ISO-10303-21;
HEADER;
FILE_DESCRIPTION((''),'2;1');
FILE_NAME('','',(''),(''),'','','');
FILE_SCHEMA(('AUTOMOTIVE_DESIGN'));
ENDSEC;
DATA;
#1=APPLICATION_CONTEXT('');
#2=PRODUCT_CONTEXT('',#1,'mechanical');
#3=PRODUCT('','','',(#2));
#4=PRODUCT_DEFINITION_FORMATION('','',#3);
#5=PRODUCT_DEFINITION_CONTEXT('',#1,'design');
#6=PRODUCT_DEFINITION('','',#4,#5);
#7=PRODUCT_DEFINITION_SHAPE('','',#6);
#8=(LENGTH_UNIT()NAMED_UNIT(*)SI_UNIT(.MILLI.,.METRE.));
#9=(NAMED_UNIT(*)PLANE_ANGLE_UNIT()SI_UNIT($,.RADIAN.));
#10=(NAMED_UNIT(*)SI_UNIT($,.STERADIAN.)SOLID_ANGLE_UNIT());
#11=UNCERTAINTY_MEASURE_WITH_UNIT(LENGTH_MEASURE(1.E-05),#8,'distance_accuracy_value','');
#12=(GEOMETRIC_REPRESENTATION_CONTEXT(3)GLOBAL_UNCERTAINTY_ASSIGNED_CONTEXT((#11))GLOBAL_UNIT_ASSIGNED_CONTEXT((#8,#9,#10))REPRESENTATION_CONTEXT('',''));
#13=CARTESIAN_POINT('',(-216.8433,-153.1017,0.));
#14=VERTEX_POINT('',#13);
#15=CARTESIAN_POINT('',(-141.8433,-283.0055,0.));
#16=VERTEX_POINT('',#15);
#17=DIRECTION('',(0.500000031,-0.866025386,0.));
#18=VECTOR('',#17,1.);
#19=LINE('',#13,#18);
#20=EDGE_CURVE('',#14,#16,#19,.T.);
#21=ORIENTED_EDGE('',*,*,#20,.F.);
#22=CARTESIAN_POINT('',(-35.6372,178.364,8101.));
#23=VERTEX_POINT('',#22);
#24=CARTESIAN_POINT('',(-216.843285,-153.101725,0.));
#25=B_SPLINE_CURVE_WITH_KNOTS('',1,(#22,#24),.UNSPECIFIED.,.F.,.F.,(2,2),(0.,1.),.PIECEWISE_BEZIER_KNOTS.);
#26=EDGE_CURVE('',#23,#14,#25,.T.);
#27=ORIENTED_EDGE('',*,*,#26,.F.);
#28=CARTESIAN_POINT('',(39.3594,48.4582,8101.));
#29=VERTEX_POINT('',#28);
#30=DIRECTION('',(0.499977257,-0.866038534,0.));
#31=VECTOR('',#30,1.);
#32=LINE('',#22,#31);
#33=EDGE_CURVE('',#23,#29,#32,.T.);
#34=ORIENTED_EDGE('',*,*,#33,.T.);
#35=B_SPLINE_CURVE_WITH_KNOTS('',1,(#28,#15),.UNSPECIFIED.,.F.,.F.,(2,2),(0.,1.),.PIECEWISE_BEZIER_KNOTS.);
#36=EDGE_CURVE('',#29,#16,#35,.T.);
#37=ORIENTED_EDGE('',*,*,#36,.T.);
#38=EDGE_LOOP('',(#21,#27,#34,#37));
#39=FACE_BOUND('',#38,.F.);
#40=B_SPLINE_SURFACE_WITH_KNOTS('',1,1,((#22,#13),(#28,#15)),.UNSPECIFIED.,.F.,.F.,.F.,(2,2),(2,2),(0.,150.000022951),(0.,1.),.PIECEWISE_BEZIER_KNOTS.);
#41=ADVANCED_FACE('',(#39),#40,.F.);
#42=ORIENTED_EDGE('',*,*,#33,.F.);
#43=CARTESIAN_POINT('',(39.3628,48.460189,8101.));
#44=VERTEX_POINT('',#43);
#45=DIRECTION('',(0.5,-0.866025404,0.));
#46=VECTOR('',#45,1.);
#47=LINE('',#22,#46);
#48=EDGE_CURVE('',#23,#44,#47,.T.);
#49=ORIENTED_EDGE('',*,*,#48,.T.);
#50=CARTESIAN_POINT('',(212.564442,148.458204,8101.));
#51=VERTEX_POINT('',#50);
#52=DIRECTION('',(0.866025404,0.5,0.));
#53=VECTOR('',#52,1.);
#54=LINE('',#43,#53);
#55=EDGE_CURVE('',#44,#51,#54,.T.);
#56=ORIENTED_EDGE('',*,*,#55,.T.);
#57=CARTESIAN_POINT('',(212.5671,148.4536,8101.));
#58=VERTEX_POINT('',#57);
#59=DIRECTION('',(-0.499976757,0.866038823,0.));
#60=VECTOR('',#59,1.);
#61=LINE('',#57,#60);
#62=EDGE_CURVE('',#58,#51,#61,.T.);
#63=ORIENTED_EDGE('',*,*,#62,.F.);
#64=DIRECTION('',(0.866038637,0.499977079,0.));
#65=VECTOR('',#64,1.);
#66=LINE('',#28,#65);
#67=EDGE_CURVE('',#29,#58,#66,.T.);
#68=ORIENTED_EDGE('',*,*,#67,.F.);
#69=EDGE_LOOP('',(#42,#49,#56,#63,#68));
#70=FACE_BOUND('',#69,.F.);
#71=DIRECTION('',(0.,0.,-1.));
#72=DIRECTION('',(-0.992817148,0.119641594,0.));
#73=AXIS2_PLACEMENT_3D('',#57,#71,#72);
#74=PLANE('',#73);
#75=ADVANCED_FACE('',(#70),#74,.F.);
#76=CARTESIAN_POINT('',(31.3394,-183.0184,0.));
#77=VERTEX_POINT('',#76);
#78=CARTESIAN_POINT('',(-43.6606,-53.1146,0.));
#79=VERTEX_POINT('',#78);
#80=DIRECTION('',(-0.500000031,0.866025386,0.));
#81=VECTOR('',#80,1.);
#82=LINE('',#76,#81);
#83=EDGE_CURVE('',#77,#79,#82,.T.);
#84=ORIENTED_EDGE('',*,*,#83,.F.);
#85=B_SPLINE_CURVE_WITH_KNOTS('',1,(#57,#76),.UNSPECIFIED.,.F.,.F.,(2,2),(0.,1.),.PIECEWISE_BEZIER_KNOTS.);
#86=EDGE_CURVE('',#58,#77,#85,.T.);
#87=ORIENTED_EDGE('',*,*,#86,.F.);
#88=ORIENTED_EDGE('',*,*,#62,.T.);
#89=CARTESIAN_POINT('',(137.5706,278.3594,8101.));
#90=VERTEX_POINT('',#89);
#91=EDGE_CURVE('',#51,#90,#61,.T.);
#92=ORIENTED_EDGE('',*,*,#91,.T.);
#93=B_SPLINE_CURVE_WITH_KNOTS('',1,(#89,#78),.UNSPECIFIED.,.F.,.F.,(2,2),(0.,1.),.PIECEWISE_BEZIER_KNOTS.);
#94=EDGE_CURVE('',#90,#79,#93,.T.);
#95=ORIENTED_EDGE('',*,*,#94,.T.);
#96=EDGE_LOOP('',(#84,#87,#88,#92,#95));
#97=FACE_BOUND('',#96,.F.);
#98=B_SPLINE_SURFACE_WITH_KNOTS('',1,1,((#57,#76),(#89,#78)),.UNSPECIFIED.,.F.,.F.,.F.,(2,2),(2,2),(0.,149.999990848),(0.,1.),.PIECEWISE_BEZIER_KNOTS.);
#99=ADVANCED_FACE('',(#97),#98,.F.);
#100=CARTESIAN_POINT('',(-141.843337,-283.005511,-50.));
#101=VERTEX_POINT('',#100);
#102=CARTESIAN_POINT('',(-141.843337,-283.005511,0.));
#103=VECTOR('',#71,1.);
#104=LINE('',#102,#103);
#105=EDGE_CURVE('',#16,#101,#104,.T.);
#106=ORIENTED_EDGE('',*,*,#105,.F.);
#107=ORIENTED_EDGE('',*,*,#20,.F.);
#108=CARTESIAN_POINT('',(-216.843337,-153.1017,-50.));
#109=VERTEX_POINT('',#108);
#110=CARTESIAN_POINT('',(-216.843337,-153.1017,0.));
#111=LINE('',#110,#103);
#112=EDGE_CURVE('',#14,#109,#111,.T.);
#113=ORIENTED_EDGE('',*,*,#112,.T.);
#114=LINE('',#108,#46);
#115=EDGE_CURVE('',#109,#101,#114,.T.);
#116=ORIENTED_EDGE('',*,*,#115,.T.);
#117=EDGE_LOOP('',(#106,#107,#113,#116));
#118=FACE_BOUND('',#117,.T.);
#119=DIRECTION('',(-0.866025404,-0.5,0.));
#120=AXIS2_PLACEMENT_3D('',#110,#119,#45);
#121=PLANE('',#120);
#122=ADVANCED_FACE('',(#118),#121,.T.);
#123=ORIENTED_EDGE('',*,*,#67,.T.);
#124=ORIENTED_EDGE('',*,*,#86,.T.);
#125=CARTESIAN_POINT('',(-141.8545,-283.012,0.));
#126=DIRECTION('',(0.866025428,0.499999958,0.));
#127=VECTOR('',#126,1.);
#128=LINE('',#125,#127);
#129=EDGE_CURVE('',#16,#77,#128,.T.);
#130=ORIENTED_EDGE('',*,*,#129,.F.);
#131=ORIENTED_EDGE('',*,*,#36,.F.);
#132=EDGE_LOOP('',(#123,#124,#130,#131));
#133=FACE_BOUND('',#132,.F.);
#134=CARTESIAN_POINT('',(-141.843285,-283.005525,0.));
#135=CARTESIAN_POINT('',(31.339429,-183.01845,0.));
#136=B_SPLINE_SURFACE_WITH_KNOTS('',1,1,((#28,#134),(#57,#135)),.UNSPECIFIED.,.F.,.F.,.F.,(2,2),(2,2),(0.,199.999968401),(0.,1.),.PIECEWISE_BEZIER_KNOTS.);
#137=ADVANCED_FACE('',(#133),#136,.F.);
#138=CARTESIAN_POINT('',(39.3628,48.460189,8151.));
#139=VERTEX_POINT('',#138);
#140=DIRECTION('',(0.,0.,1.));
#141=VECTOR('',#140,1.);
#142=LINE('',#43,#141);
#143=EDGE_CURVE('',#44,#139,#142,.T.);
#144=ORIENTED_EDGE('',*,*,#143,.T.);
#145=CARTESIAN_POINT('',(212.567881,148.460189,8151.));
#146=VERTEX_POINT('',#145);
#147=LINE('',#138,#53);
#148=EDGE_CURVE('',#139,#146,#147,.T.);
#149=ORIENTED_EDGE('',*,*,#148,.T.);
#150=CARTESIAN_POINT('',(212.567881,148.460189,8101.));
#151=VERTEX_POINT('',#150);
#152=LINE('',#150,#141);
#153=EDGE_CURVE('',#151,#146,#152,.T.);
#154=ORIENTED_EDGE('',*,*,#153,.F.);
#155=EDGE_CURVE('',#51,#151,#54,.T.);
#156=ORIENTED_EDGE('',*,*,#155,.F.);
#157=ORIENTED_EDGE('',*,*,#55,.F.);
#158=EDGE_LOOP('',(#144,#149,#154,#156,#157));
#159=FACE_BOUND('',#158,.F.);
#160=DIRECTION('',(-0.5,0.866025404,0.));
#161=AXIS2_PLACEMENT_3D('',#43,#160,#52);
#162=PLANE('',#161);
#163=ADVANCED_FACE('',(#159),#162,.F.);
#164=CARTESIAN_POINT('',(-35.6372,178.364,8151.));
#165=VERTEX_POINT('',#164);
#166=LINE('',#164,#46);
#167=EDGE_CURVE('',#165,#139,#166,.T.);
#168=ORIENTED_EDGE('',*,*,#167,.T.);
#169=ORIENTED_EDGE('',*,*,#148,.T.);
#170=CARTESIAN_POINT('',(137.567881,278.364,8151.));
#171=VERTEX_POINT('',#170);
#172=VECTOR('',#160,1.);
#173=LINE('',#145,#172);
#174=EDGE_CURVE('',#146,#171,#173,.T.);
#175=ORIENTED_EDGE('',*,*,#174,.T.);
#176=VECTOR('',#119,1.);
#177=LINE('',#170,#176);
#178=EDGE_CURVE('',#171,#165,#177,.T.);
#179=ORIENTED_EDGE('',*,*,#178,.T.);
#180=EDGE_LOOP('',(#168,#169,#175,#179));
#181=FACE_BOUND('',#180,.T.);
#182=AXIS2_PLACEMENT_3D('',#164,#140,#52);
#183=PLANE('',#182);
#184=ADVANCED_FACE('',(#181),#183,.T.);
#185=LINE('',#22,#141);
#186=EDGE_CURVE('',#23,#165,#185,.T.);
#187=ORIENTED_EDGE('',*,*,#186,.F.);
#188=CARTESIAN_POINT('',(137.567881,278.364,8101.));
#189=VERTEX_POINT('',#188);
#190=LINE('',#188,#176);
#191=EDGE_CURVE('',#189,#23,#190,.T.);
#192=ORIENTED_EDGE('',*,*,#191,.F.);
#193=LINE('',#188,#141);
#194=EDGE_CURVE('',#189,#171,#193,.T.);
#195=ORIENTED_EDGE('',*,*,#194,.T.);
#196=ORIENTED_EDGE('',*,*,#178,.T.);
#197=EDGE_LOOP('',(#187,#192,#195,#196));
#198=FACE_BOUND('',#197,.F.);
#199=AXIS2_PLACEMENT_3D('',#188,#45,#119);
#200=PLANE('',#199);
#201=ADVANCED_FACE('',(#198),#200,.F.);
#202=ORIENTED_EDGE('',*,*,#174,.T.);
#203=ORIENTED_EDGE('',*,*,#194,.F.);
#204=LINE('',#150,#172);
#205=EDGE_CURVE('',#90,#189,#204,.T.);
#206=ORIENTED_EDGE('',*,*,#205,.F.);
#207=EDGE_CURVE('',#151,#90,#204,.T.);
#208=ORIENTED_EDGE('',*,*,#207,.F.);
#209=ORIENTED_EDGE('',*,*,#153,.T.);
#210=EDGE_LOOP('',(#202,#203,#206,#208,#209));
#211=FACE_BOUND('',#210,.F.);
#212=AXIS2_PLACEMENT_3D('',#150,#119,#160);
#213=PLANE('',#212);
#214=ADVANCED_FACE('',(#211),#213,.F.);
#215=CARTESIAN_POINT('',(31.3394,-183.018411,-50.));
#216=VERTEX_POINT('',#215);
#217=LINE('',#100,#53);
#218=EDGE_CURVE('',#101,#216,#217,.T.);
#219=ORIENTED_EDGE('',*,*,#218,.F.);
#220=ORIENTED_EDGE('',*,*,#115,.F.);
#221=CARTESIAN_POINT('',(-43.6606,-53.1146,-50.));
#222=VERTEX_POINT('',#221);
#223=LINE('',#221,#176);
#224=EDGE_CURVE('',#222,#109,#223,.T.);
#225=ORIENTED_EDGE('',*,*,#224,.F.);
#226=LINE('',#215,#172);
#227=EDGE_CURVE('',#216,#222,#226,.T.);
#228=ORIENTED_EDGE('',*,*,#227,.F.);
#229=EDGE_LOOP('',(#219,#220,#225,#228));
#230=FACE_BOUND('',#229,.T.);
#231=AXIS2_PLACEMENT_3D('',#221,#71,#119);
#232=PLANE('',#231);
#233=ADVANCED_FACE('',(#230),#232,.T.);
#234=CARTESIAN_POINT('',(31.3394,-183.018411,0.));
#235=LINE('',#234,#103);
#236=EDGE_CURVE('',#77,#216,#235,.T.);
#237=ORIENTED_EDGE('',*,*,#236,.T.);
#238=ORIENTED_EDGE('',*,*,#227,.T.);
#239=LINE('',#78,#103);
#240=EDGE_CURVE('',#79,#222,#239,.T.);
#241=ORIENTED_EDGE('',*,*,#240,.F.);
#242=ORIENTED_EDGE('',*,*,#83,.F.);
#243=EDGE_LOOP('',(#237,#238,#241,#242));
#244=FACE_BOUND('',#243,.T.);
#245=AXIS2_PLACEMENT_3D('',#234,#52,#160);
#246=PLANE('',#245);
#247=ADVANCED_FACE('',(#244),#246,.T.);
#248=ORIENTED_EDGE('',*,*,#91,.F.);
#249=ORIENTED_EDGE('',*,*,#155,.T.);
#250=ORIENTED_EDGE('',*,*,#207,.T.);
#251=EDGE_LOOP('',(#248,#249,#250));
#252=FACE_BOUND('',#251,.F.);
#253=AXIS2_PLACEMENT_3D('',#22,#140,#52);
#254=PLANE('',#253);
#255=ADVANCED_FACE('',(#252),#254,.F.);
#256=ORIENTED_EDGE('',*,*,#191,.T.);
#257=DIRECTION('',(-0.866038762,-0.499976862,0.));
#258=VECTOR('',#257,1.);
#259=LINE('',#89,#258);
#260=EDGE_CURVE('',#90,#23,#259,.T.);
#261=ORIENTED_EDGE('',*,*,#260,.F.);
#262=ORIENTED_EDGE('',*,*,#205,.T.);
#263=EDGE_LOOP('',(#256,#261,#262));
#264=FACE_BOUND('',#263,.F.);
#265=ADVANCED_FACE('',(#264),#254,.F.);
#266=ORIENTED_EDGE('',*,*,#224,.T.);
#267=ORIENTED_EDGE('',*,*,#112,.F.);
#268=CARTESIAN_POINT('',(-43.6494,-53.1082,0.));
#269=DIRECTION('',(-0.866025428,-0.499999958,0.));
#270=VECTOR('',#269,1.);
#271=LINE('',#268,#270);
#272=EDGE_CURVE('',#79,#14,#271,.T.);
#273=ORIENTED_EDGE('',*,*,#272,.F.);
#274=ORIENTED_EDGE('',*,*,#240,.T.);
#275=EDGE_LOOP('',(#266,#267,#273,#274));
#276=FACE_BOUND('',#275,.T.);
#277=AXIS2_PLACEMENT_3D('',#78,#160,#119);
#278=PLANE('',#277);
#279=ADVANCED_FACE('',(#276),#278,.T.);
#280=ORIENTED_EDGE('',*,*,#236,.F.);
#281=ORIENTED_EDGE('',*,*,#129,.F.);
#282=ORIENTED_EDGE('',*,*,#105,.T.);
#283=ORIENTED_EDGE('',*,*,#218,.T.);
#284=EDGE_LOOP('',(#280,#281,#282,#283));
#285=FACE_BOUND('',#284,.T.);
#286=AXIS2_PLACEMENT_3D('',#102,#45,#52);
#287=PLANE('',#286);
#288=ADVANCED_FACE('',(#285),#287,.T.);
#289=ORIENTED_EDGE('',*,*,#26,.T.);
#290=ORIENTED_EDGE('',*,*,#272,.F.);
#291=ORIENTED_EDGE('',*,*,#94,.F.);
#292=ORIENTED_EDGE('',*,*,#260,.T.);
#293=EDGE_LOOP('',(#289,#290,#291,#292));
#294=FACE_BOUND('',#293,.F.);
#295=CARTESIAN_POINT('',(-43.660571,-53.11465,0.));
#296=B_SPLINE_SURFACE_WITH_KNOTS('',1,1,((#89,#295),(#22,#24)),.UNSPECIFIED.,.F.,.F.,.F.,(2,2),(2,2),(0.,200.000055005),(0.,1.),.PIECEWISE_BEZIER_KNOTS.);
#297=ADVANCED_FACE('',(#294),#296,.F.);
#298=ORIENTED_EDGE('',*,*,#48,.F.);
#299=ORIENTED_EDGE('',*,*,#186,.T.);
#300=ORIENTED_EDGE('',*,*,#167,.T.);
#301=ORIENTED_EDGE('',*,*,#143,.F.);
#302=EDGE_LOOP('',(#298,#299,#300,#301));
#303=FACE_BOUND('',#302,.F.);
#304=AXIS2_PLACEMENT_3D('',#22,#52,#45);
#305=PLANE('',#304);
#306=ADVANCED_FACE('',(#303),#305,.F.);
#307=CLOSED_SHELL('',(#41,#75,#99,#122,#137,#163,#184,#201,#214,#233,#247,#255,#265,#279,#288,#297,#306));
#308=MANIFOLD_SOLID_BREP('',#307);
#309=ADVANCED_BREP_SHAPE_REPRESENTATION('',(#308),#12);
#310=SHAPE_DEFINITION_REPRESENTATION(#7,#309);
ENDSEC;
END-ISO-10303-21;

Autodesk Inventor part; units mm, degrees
ref_plane "YZ Plane" through (0, 0, 0) normal (1, 0, 0) x (0, 1, 0)
ref_plane "XZ Plane" through (0, 0, 0) normal (0, 1, 0) x (-1, 0, 0)
sketch "Sketch1" plane through (0, 0, 0) normal (0, 0, 1) x (1, 0, 0)
  line L0 (-43.6494, -53.1082) -> (-216.8545, -153.1082)
  line L1 (-216.8657, -153.1146) -> (-141.8657, -283.0184)
  line L2 (31.3394, -183.0184) -> (-43.6606, -53.1146)
  line L3 (-141.8545, -283.012) -> (31.3506, -183.012)
  line L4 (-141.8433, -283.0055) -> (31.3394, -183.0184)
  line L5 (31.3394, -183.0184) -> (-43.6606, -53.1146)
  line L6 (-43.6606, -53.1146) -> (-216.8433, -153.1017)
  line L7 (-216.8433, -153.1017) -> (-141.8433, -283.0055)
  line L8 (-141.8433, -283.0055) -> (-43.6606, -53.1146) construction
  line L9 (31.3394, -183.0184) -> (-216.8433, -153.1017) construction
  point P0 (-92.7519, -168.0601)
ref_plane "Work Plane2" through (0, 0, 8101) normal (0, 0, 1) x (1, 0, 0)
ref_plane "Work Plane1" through (0, 0, 0) normal (0, 0, 1) x (1, 0, 0)
sketch "Sketch2" plane through (0, 0, 8101) normal (0, 0, 1) x (1, 0, 0)
  line L0 (137.5706, 278.3594) -> (-35.6372, 178.364) projected
  line L1 (212.5671, 148.4536) -> (137.5706, 278.3594) projected
  line L2 (39.3594, 48.4582) -> (212.5671, 148.4536) projected
  line L3 (-35.6372, 178.364) -> (39.3594, 48.4582) projected
  line L4 (212.5671, 148.4536) -> (39.3594, 48.4582)
  line L5 (39.3594, 48.4582) -> (-35.6372, 178.364)
  line L6 (-35.6372, 178.364) -> (137.5706, 278.3594)
  line L7 (137.5706, 278.3594) -> (212.5671, 148.4536)
  line L8 (212.5671, 148.4536) -> (-35.6372, 178.364) construction
  line L9 (39.3594, 48.4582) -> (137.5706, 278.3594) construction
  point P0 (0, 0)
  point P1 (88.465, 163.4088)
loft "Loft1" add profiles "Sketch2", "Sketch1"
sketch "Sketch3" plane through (-43.6606, -53.1146, 0) normal (0, 0, -1) x (-0.866, -0.5, 0)
  line L0 (0, 0) -> (199.9742, 0) projected
  line L1 (0, -150) -> (0, 0) projected
  line L2 (199.9742, -150) -> (0, -150) projected
  line L3 (199.9742, 0) -> (199.9742, -150) projected
  point P0 (-64.3685, 24.1683)
sketch "Sketch4" plane through (-35.6372, 178.364, 8101) normal (0, 0, 1) x (0.866, 0.5, 0)
  line L0 (200, 0) -> (0, 0) projected
  line L1 (0, 0) -> (0, -150) projected
  line L2 (0, -150) -> (200, -150) projected
  line L3 (200, -150) -> (200, 0) projected
  point P0 (-58.3147, -172.2879)
extrude "Extrusion1" add sketch "Sketch3" along normal blind 50
extrude "Extrusion2" add sketch "Sketch4" along normal blind 50
properties part number "support_beam_segment_0105" material "Wood (Maple)"
